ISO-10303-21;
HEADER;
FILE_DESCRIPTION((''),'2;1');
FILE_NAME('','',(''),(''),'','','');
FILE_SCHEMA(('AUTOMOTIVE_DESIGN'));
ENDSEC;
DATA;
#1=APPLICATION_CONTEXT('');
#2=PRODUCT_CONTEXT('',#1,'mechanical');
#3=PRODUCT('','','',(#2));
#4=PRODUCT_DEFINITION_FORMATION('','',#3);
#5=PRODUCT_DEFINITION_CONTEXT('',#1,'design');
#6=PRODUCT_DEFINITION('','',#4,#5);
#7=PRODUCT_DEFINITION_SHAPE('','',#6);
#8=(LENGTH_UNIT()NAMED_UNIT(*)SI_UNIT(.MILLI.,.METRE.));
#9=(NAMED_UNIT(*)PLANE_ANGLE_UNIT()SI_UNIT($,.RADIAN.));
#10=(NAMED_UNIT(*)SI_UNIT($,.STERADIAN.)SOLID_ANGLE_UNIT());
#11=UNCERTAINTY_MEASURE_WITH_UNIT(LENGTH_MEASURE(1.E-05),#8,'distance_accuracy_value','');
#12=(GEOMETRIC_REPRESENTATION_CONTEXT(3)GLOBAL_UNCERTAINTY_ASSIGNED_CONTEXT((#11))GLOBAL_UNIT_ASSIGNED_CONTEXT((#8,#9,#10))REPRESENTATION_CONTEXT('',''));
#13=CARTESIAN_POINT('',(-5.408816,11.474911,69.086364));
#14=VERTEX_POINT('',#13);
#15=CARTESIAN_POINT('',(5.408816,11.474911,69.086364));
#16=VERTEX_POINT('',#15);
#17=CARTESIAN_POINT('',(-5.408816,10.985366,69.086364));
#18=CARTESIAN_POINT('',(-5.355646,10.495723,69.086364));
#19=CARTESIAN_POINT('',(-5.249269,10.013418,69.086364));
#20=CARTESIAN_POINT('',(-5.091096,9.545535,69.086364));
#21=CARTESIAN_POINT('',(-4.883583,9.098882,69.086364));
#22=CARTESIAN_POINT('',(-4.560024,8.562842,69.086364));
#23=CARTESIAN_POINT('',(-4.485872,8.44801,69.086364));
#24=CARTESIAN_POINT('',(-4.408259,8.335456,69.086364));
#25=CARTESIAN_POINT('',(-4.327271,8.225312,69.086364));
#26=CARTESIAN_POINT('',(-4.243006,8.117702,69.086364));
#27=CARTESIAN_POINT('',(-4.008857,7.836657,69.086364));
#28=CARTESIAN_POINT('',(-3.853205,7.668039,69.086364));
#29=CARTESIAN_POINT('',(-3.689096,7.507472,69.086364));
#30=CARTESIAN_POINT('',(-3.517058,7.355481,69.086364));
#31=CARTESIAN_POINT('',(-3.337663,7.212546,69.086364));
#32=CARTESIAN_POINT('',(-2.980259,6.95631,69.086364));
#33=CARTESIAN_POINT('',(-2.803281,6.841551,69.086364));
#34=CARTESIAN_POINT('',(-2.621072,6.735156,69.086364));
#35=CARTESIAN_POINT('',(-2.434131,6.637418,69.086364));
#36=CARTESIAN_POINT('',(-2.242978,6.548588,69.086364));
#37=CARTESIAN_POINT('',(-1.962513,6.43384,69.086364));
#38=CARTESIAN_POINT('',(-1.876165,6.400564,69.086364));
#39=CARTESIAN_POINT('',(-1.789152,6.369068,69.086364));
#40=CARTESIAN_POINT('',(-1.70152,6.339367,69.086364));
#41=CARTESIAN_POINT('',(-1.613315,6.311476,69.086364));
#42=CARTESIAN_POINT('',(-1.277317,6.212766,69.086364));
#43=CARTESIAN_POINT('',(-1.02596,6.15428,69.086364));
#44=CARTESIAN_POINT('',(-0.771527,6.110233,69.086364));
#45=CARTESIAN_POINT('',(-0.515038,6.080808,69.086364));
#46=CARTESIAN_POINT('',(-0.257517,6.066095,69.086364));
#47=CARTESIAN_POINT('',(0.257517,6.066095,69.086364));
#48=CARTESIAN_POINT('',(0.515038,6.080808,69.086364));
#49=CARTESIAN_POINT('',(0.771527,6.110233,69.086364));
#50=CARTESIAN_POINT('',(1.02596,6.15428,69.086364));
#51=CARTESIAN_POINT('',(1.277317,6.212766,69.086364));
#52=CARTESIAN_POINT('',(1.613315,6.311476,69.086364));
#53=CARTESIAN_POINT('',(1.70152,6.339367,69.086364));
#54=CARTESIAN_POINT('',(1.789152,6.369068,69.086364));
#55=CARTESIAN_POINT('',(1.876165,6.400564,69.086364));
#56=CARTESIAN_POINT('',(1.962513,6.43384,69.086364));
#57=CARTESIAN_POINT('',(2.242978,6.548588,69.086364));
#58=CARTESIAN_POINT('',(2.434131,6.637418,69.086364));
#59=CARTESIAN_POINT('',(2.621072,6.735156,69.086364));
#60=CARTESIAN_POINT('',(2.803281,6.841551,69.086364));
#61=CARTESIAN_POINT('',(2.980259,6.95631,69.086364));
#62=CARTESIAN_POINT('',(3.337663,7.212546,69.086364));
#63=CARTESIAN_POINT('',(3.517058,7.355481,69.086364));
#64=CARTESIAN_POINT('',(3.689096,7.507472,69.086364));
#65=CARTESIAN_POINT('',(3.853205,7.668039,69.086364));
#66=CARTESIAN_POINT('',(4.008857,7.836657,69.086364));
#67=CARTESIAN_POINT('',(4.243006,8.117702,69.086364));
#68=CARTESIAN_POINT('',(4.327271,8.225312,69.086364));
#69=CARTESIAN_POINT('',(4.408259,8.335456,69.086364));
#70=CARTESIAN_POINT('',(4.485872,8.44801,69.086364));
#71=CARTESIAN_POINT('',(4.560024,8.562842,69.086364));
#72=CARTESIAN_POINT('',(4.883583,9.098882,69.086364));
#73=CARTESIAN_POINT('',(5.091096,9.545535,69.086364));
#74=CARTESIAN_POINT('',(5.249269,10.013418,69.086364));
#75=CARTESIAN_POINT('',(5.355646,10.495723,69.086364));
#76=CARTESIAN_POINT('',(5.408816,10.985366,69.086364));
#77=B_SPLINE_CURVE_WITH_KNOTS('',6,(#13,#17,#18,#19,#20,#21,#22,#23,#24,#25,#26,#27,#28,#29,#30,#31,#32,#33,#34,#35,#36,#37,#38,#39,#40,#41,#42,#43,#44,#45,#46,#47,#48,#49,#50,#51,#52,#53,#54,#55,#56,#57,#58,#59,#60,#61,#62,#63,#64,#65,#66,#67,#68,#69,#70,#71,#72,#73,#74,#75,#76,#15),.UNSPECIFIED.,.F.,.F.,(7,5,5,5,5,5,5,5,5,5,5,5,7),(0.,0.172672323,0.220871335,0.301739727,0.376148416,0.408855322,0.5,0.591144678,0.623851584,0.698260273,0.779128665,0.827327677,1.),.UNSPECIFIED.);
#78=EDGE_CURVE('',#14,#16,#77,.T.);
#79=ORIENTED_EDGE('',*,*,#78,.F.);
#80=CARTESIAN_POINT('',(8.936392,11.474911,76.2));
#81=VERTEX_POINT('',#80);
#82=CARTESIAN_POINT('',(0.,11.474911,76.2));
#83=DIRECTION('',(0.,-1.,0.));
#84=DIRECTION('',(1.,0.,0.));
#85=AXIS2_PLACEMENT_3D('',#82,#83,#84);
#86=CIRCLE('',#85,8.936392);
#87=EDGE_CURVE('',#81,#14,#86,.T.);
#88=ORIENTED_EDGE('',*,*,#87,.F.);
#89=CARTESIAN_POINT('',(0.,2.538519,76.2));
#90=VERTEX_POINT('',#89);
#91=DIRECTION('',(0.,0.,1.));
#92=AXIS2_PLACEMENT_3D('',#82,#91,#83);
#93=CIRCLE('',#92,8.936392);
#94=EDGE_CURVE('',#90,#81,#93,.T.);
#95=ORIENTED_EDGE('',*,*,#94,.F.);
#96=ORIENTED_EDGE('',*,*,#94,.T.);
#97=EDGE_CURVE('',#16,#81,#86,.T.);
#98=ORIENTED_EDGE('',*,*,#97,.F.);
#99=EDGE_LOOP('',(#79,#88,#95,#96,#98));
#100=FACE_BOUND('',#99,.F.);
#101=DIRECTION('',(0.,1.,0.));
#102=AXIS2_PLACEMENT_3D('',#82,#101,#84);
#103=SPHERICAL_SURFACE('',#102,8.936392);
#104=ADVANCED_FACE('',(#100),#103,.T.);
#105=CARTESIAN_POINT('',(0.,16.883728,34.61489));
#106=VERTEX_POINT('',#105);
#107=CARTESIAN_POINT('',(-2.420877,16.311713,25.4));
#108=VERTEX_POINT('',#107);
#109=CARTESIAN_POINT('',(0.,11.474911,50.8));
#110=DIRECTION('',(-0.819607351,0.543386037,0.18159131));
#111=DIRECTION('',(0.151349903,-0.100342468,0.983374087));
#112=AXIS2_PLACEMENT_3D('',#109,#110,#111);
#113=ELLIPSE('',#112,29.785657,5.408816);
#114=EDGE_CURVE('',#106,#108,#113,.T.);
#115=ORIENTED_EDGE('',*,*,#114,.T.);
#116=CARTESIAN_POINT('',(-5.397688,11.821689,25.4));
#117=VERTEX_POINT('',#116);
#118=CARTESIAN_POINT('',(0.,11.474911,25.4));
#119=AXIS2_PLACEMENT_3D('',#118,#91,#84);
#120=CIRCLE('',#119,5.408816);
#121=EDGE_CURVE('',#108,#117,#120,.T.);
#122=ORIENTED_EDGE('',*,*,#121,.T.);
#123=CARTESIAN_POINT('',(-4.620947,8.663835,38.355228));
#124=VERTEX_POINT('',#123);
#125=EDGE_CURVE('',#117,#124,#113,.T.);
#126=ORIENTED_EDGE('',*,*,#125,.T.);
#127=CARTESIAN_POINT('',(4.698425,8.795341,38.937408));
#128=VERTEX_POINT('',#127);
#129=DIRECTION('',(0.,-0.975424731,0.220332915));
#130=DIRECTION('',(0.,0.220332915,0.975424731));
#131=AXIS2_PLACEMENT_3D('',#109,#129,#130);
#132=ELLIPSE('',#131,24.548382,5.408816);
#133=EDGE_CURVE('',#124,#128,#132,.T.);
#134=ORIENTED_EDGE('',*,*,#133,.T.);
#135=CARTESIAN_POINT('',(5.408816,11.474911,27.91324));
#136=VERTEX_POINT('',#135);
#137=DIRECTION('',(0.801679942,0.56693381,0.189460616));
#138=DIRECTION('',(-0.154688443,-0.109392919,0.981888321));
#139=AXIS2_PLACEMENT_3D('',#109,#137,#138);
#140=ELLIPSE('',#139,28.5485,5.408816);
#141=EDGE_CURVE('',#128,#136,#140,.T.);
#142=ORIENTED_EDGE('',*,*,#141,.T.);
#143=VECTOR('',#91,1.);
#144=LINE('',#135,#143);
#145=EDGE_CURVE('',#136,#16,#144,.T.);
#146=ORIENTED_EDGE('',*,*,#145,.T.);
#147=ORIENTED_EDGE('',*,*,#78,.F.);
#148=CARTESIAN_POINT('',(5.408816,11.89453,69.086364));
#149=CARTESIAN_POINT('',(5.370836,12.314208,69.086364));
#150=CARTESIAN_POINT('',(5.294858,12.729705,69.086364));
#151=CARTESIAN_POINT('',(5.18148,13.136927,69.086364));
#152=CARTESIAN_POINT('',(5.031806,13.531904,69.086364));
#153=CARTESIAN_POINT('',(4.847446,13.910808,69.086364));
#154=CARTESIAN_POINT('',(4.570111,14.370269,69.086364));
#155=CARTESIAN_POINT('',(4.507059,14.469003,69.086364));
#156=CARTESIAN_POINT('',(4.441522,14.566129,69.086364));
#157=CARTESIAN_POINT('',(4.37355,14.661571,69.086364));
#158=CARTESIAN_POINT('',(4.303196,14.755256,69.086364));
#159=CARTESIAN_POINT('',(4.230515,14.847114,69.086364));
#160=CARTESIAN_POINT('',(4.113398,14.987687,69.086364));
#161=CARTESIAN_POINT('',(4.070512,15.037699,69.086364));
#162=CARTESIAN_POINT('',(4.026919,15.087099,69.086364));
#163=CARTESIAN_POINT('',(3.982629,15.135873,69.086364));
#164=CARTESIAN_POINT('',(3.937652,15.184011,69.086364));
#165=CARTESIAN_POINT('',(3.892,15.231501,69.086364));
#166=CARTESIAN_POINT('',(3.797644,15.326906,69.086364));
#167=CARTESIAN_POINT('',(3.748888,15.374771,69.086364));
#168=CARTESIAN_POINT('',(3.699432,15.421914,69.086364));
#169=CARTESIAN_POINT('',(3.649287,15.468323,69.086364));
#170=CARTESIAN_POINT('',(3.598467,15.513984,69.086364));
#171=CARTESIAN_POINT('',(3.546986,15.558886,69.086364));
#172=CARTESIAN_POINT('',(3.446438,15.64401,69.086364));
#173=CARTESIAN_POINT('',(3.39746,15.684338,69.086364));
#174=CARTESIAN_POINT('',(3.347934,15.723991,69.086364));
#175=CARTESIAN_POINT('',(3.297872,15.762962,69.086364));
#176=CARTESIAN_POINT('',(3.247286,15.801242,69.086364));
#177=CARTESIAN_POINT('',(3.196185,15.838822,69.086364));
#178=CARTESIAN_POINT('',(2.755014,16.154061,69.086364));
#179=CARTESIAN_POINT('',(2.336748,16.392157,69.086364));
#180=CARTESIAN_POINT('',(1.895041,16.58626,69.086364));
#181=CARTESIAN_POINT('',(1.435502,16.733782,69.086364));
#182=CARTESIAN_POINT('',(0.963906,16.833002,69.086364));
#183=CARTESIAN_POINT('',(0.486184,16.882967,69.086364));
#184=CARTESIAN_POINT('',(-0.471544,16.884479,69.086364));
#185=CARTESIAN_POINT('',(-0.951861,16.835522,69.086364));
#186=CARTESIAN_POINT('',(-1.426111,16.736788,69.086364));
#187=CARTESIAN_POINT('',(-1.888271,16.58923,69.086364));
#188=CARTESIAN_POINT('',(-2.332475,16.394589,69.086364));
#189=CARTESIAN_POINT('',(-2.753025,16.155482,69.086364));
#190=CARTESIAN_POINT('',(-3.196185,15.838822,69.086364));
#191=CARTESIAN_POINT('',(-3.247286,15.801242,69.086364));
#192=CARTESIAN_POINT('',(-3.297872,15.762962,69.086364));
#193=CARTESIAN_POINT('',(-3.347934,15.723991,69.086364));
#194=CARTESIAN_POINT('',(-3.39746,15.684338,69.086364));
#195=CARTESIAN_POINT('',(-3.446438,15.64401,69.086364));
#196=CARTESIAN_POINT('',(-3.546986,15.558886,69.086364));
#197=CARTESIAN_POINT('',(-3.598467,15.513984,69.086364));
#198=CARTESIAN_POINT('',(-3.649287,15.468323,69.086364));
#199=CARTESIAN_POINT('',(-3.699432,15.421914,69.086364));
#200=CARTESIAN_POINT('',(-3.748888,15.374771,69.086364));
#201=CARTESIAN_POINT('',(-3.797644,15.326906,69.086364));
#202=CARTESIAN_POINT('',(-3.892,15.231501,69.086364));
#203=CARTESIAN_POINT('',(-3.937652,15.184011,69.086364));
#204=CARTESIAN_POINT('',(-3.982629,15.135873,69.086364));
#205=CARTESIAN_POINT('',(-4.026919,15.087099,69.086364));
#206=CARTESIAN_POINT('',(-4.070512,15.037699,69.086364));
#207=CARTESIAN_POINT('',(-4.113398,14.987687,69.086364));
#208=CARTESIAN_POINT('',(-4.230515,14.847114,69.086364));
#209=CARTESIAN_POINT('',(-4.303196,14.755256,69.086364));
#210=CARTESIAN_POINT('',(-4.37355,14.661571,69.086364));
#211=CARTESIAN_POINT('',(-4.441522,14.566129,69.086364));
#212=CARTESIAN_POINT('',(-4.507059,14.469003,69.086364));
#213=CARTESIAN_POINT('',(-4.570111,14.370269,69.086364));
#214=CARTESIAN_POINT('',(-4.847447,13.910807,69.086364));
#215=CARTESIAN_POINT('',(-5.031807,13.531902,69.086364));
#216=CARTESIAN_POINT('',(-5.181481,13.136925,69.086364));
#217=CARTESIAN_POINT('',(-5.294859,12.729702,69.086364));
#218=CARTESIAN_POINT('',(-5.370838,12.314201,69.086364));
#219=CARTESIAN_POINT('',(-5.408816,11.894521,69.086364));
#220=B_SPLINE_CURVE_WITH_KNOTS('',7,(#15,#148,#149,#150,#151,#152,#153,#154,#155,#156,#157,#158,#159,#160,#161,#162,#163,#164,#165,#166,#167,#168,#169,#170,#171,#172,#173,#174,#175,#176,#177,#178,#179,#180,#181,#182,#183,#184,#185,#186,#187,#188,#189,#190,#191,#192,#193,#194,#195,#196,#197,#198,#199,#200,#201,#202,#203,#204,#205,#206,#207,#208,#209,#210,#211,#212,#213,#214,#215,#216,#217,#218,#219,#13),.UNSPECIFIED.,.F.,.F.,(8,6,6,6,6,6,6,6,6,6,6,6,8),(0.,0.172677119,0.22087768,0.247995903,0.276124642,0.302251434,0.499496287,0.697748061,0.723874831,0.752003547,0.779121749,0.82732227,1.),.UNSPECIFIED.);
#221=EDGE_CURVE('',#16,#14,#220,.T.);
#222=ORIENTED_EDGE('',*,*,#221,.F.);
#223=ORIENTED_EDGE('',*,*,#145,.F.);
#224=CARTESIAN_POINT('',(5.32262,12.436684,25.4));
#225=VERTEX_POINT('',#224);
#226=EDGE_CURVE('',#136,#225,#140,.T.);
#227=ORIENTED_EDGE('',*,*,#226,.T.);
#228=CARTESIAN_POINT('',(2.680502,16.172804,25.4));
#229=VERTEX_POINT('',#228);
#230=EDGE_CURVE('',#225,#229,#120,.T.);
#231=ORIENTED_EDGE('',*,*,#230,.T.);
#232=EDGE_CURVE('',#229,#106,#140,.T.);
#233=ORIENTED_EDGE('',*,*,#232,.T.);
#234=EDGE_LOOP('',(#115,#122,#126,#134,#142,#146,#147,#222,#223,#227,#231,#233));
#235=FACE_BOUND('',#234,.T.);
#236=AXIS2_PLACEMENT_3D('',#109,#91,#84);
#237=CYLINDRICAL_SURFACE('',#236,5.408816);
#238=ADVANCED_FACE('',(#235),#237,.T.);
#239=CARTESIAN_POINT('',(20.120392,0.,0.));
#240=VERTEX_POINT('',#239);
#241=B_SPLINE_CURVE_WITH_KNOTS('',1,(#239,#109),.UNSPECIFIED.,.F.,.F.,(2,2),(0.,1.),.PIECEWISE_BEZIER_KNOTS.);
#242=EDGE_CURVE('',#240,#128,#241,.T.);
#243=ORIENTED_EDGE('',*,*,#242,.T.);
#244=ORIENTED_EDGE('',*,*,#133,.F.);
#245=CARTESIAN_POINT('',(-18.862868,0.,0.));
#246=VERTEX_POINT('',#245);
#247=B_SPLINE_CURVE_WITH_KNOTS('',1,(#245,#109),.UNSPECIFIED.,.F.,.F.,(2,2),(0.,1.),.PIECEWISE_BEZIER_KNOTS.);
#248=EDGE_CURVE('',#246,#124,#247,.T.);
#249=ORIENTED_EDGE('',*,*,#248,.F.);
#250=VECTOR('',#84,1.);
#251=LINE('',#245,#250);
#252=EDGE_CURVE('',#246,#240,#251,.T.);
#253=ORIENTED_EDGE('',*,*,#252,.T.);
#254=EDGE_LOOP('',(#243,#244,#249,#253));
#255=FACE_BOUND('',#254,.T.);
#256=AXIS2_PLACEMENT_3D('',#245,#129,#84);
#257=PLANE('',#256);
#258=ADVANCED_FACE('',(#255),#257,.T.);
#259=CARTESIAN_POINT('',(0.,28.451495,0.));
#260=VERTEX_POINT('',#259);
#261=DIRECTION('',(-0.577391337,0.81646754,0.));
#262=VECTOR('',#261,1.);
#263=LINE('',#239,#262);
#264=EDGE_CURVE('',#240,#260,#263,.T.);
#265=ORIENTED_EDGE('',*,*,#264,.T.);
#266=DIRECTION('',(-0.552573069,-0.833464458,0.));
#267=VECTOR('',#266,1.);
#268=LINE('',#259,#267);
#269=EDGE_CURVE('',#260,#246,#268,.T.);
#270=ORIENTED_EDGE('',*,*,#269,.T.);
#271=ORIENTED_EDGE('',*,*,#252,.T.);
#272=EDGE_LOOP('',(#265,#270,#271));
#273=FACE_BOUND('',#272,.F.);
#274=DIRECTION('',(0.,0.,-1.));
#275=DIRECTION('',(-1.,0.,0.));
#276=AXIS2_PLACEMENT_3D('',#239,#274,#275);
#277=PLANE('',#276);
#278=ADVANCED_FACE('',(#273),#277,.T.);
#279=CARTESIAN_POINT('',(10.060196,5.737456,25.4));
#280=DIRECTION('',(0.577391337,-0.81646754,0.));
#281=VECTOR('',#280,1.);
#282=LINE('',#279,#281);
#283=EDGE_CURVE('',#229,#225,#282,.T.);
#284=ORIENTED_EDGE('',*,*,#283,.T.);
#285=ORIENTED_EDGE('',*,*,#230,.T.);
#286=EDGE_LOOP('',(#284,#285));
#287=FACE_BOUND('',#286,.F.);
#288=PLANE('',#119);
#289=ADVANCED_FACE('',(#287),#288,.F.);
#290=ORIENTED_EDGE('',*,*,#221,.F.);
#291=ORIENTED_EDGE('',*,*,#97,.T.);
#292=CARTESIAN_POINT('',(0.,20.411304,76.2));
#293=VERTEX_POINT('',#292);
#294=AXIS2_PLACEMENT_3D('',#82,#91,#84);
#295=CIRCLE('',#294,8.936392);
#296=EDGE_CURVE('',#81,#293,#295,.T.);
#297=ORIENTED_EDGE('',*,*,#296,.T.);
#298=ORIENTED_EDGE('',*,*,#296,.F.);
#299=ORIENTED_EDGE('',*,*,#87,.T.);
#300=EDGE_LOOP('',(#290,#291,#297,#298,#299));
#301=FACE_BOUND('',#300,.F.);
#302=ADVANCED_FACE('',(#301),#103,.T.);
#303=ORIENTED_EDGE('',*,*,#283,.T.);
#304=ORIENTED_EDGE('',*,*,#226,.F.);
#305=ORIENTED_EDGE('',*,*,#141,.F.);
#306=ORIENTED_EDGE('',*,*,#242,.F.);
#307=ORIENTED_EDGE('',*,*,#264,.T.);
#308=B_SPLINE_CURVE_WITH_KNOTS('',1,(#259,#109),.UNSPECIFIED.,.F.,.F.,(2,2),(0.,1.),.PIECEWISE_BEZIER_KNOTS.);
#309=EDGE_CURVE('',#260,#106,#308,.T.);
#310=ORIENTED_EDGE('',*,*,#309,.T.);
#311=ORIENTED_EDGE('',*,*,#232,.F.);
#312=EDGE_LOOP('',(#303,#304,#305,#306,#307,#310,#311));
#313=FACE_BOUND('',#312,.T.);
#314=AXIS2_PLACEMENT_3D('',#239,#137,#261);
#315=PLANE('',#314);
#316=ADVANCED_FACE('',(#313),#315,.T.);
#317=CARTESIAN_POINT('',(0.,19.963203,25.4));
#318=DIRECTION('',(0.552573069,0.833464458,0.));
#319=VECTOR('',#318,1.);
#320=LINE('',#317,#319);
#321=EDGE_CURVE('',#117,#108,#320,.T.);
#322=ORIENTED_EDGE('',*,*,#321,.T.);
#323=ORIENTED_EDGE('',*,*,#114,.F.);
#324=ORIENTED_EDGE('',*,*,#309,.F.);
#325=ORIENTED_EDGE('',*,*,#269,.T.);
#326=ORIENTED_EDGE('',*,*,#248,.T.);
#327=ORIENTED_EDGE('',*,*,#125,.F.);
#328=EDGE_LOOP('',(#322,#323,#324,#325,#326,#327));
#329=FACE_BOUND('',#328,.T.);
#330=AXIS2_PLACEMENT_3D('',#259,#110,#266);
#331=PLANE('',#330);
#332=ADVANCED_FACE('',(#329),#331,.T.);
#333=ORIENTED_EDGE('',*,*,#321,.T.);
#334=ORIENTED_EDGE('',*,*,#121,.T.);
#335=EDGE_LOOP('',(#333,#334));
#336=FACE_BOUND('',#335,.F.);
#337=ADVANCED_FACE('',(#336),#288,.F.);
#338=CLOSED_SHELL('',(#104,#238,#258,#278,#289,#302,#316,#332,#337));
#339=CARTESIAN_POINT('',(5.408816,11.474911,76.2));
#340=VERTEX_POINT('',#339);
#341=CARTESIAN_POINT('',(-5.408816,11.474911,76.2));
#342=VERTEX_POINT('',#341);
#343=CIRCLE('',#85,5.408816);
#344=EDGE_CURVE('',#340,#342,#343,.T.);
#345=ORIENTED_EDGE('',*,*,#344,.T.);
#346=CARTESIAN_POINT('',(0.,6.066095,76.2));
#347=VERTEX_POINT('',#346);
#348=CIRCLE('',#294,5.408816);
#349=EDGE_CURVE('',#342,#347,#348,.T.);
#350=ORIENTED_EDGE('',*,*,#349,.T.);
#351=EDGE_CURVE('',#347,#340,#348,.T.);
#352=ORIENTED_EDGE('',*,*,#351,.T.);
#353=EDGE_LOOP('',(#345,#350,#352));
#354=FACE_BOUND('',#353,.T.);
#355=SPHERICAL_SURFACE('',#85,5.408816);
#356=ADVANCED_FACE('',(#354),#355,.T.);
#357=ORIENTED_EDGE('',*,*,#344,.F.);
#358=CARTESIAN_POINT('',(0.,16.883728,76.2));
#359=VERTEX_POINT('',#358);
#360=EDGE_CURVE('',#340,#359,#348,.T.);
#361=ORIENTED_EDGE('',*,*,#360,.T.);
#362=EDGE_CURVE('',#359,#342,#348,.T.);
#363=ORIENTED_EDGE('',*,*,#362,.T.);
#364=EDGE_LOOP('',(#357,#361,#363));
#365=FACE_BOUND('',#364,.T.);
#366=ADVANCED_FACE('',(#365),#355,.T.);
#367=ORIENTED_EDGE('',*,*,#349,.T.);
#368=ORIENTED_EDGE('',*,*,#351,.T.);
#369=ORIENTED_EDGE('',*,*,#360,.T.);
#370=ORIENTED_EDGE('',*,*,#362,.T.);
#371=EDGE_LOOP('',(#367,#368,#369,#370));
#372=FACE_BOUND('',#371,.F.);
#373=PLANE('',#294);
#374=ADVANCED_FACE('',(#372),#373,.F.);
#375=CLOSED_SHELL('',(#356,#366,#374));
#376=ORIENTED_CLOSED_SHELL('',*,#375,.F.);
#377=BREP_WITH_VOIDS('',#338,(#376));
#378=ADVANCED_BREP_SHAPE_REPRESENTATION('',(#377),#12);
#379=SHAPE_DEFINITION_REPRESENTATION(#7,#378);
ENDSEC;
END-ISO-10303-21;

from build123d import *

# Parameters (mm, degrees)
F2_R          = 5.4088164631
F4_DEPTH      = 25.4
F4_DEPTH_BACK = 25.4


with BuildPart() as f3:
    # F0 (on Top) → F3 section 0
    with BuildSketch(Plane.XY, mode=Mode.PRIVATE) as f3_s0:
        Polygon((20.1203916222, 0), (0, 28.4514948726), (-18.8628677279, 0), align=None)
    loft([f3_s0.sketch, Vertex(0, 11.4749111235, 50.8)])

    # F2 (on offset) → F4 (join, two sides)
    with BuildSketch(Plane.XY.offset(50.8)) as f4_sk:
        with Locations((0, 11.4749111235)):
            Circle(F2_R)
    extrude(amount=F4_DEPTH)
    extrude(f4_sk.sketch, amount=-F4_DEPTH_BACK)

    # F5 (on face) → F6 (revolve)
    with BuildSketch(Plane.XY.offset(76.2)):
        with BuildLine():
            ThreePointArc((0, 2.5385186467), (6.3189837197, 5.1559274038), (8.9363924768, 11.4749111235))
            ThreePointArc((8.9363924768, 11.4749111235), (6.3189837197, 17.7938948432), (0, 20.4113036003))
            Line((0, 20.4113036003), (0, 16.8837275866))
            ThreePointArc((0, 16.8837275866), (3.8246107992, 15.2995219227), (5.4088164631, 11.4749111235))
            ThreePointArc((5.4088164631, 11.4749111235), (3.8246107992, 7.6503003243), (0, 6.0660946605))
            Line((0, 6.0660946605), (0, 2.5385186467))
        make_face()
    revolve(axis=Axis((0, 11.4749111235, 76.2), (0, -1, 0)))


solid = f3.part
